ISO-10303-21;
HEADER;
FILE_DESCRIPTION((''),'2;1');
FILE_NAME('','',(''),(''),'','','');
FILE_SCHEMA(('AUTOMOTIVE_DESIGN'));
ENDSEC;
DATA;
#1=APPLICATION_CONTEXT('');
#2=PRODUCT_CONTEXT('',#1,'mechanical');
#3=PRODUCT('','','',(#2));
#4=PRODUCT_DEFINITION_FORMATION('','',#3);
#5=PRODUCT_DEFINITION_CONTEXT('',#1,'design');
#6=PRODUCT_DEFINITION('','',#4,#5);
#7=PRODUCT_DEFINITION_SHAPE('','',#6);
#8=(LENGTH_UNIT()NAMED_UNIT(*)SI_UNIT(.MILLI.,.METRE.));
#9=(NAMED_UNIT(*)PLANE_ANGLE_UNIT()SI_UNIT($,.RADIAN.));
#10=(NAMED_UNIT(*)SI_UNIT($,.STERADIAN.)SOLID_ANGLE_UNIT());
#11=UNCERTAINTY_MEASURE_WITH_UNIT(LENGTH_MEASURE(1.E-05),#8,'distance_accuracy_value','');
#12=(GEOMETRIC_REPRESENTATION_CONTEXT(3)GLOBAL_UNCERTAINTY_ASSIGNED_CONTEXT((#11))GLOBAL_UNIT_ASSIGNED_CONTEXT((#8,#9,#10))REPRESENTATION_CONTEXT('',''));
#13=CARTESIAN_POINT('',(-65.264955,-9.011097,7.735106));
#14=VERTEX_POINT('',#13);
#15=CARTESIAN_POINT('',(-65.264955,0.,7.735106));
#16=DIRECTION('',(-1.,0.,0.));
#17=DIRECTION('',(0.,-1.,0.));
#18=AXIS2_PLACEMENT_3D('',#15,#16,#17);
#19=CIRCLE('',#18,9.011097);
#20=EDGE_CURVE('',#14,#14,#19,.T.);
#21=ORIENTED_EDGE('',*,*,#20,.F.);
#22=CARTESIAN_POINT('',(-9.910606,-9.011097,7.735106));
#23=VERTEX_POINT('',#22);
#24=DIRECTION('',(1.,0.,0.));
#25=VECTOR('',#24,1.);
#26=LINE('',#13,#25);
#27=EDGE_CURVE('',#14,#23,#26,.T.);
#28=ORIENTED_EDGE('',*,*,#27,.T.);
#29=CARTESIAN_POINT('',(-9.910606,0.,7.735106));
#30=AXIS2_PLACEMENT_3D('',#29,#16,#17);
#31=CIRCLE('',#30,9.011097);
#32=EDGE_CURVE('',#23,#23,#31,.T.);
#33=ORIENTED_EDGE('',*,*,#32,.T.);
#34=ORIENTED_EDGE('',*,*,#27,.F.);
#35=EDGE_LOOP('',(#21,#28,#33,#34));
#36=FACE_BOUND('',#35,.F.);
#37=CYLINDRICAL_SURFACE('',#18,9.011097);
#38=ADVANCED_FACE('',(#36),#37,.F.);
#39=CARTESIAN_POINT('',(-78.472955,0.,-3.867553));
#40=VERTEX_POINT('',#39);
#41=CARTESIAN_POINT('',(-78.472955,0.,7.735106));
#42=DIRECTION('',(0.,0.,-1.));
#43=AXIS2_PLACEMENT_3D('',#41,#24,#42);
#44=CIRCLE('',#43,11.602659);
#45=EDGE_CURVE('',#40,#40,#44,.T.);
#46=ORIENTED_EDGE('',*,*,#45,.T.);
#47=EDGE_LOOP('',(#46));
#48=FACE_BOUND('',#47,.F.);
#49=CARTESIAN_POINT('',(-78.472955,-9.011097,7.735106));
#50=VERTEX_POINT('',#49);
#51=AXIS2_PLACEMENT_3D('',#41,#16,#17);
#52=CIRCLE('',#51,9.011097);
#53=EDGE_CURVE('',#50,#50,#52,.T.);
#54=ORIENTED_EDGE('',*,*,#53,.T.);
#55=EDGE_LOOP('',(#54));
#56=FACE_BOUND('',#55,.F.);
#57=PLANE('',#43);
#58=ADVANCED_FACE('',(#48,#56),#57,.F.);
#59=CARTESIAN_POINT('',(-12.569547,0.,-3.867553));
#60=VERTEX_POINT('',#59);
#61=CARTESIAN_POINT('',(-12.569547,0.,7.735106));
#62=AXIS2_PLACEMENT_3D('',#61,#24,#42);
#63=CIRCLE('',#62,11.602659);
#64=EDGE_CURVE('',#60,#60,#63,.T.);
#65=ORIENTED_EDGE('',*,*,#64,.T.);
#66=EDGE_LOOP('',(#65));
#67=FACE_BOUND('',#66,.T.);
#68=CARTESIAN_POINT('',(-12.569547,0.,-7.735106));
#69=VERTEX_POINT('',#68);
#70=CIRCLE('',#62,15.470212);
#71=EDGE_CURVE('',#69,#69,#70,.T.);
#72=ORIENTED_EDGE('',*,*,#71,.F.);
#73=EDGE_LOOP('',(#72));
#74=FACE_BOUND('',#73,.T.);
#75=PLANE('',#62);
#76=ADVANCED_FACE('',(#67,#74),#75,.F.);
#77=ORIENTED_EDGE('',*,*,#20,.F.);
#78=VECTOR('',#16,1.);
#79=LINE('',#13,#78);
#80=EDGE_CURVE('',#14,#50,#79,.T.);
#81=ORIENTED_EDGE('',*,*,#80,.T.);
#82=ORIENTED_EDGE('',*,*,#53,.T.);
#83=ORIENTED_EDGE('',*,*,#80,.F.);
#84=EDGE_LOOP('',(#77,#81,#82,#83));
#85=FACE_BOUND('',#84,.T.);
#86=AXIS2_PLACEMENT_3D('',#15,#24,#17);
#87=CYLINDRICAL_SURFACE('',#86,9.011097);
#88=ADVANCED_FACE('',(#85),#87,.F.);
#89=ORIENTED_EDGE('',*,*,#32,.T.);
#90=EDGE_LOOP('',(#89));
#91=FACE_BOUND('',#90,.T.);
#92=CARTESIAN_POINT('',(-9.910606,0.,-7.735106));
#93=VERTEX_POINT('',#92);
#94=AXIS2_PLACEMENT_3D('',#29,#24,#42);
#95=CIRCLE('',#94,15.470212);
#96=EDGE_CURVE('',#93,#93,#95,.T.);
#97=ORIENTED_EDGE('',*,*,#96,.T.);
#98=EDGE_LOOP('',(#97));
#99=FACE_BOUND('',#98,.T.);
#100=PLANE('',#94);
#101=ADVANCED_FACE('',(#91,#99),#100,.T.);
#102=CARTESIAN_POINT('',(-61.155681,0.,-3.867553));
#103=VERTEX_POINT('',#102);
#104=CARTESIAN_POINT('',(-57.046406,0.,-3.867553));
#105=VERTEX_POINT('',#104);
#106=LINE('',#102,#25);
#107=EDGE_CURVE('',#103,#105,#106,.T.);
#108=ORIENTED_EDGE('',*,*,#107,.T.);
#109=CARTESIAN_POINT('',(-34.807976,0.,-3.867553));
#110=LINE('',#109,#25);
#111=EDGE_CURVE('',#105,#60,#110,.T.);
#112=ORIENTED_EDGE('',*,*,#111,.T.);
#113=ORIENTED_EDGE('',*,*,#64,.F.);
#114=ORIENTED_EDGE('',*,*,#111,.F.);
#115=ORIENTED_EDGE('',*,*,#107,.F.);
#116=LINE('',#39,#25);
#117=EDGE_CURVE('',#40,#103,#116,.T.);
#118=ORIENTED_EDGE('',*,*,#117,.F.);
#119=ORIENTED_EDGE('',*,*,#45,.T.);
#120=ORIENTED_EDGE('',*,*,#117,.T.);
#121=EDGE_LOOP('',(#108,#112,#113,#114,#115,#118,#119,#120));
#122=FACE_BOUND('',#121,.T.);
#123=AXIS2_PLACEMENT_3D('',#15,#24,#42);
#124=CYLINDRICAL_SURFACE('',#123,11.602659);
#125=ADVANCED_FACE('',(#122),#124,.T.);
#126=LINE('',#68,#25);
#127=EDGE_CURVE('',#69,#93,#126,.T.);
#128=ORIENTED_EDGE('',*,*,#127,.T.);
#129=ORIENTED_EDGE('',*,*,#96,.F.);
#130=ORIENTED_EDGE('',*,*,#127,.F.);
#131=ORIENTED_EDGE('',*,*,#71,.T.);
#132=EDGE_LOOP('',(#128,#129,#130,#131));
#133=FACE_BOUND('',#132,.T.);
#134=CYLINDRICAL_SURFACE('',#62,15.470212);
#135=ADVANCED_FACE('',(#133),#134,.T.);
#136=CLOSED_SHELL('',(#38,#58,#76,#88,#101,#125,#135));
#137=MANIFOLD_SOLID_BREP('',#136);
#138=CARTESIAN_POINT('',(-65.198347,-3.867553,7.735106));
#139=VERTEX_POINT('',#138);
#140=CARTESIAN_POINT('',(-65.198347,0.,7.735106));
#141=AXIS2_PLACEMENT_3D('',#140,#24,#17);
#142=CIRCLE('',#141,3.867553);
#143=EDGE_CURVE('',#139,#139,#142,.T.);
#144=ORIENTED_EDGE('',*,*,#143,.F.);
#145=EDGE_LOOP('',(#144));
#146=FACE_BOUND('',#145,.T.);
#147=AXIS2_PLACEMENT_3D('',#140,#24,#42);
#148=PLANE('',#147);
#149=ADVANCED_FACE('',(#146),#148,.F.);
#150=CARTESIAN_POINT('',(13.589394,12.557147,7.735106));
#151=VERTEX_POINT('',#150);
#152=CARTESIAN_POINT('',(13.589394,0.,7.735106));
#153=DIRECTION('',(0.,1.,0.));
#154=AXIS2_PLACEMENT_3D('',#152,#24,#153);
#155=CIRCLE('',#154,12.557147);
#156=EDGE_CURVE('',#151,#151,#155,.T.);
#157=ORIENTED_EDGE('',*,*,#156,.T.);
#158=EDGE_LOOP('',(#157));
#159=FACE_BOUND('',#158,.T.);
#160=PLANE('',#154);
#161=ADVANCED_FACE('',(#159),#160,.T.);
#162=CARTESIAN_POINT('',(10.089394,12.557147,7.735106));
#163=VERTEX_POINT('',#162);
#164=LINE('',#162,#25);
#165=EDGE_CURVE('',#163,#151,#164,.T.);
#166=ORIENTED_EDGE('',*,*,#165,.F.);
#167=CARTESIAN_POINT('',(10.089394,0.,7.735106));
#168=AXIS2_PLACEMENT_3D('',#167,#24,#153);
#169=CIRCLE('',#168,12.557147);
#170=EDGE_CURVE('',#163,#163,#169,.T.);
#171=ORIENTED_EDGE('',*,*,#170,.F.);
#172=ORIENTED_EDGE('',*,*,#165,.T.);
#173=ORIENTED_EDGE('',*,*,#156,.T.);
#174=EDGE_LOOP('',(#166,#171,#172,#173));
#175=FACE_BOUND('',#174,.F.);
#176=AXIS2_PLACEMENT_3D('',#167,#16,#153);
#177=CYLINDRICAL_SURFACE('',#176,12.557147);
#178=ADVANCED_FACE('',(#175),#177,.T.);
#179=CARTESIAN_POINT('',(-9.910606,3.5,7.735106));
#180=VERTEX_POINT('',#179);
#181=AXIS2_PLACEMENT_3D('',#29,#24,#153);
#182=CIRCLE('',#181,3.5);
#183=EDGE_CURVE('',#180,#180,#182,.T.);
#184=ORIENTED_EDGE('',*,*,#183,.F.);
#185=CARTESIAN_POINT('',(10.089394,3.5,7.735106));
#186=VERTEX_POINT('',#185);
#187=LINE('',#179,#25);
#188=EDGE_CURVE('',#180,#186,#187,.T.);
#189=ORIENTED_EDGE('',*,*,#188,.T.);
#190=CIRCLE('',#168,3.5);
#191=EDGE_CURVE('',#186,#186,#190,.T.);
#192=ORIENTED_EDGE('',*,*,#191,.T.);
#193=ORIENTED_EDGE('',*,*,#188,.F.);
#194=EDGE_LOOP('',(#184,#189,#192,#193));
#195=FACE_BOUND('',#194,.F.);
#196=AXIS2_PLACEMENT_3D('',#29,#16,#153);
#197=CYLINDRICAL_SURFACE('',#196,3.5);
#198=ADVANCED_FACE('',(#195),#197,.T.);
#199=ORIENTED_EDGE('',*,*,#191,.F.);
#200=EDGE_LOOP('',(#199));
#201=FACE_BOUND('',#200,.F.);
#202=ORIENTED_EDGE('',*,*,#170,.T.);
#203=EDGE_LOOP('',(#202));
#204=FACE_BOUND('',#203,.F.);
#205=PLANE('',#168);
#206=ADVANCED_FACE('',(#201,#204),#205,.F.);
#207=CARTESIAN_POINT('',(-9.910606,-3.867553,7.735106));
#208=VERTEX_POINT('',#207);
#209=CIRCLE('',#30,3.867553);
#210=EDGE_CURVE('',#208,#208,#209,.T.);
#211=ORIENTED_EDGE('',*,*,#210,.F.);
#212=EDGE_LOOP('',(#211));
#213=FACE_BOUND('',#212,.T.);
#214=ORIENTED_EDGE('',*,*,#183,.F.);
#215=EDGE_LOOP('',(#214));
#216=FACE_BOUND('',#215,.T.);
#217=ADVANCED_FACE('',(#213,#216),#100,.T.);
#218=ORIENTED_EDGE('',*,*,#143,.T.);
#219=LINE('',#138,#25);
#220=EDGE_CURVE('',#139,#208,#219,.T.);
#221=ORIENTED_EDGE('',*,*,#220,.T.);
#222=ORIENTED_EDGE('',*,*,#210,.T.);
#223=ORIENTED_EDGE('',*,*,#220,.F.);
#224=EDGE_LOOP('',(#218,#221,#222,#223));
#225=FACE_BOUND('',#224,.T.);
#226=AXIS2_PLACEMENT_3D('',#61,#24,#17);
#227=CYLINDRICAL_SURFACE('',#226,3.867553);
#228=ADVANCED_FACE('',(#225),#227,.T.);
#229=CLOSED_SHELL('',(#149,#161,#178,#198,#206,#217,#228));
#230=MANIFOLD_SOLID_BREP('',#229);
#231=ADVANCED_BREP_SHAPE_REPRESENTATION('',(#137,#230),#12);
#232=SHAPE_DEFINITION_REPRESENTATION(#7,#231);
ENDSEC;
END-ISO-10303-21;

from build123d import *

# Parameters (mm, degrees)
F0_W     = 44.4768592715
F0_H     = 2.6589424815
F0_W_2   = 4.109274596
F0_H_2   = 7.7351056971
F2_R     = 3.5
F3_DEPTH = 20
F4_R     = 12.5571465135
F4_R_2   = 3.5
F5_DEPTH = 3.5
F6_R     = 9.0110970514
F6_R_2   = 3.8675533142
F7_DEPTH = 61.722
F8_DEPTH = 52.6288
F9_DEPTH = 13.208


with BuildPart() as f1:
    # F0 (on Front) → F1 (revolve)
    with BuildSketch(Plane.XZ):
        with Locations((-34.8079763353, 2.5380816078)):
            Rectangle(F0_W, F0_H)
        Polygon((-12.5695466995, 7.7351061627), (-12.5695466995, 3.8675528485), (-12.5695466995, 1.208610367), (-12.5695466995, -1.208610367), (-12.5695466995, -3.8675528485), (-12.5695466995, -7.7351061627), (-9.9106058478, -7.7351061627), (-9.9106058478, 7.7351061627), align=None)
        Polygon((-57.0464059711, 1.208610367), (-57.0464059711, 3.8675528485), (-61.155680567, 3.8675528485), (-61.155680567, -3.8675528485), (-57.0464059711, -3.8675528485), (-57.0464059711, -1.208610367), align=None)
        with Locations((-63.210317865, 0)):
            Rectangle(F0_W_2, F0_H_2)
        with Locations((-34.8079763353, -2.5380816078)):
            Rectangle(F0_W, F0_H)
    revolve(axis=Axis((-11.2400762737, 0, 7.7351061627), (1, 0, 0)))

    # F2 (on face) → F3 (join)
    with BuildSketch(Plane.YZ.offset(-9.9106058478)):
        with Locations((0, 7.7351061627)):
            Circle(F2_R)
    extrude(amount=F3_DEPTH)

    # F4 (on face) → F5 (join)
    with BuildSketch(Plane.YZ.offset(10.0893941522)):
        with Locations((0, 7.7351061627)):
            Circle(F4_R)
        with Locations((0, 7.7351061627)):
            Circle(F4_R_2, mode=Mode.SUBTRACT)
        with Locations((0, 7.7351061627)):
            Circle(F4_R_2)
    extrude(amount=F5_DEPTH)

    # F6 (on face) → F7 (cut)
    with BuildSketch(Plane(origin=(-65.264955163, 0, 0), x_dir=(0, -1, 0), z_dir=(-1, 0, 0))):
        with Locations((0, 7.7351061627)):
            Circle(F6_R)
        with Locations((0, 7.7351061627)):
            Circle(F6_R_2, mode=Mode.SUBTRACT)
    extrude(amount=-F7_DEPTH, mode=Mode.SUBTRACT)

    # F8 (add): a face of the model
    f8_faces = [f1.faces().sort_by_distance(p)[0] for p in [
        (-12.5695466995, 0, 7.7351061627),
    ]]
    extrude(f8_faces, amount=F8_DEPTH)

    # F9 (add): a face of the model
    f9_faces = [f1.faces().sort_by_distance(p)[0] for p in [
        (-65.264955163, 0, 19.0095924193),
    ]]
    extrude(f9_faces, amount=F9_DEPTH)


solid = f1.part
